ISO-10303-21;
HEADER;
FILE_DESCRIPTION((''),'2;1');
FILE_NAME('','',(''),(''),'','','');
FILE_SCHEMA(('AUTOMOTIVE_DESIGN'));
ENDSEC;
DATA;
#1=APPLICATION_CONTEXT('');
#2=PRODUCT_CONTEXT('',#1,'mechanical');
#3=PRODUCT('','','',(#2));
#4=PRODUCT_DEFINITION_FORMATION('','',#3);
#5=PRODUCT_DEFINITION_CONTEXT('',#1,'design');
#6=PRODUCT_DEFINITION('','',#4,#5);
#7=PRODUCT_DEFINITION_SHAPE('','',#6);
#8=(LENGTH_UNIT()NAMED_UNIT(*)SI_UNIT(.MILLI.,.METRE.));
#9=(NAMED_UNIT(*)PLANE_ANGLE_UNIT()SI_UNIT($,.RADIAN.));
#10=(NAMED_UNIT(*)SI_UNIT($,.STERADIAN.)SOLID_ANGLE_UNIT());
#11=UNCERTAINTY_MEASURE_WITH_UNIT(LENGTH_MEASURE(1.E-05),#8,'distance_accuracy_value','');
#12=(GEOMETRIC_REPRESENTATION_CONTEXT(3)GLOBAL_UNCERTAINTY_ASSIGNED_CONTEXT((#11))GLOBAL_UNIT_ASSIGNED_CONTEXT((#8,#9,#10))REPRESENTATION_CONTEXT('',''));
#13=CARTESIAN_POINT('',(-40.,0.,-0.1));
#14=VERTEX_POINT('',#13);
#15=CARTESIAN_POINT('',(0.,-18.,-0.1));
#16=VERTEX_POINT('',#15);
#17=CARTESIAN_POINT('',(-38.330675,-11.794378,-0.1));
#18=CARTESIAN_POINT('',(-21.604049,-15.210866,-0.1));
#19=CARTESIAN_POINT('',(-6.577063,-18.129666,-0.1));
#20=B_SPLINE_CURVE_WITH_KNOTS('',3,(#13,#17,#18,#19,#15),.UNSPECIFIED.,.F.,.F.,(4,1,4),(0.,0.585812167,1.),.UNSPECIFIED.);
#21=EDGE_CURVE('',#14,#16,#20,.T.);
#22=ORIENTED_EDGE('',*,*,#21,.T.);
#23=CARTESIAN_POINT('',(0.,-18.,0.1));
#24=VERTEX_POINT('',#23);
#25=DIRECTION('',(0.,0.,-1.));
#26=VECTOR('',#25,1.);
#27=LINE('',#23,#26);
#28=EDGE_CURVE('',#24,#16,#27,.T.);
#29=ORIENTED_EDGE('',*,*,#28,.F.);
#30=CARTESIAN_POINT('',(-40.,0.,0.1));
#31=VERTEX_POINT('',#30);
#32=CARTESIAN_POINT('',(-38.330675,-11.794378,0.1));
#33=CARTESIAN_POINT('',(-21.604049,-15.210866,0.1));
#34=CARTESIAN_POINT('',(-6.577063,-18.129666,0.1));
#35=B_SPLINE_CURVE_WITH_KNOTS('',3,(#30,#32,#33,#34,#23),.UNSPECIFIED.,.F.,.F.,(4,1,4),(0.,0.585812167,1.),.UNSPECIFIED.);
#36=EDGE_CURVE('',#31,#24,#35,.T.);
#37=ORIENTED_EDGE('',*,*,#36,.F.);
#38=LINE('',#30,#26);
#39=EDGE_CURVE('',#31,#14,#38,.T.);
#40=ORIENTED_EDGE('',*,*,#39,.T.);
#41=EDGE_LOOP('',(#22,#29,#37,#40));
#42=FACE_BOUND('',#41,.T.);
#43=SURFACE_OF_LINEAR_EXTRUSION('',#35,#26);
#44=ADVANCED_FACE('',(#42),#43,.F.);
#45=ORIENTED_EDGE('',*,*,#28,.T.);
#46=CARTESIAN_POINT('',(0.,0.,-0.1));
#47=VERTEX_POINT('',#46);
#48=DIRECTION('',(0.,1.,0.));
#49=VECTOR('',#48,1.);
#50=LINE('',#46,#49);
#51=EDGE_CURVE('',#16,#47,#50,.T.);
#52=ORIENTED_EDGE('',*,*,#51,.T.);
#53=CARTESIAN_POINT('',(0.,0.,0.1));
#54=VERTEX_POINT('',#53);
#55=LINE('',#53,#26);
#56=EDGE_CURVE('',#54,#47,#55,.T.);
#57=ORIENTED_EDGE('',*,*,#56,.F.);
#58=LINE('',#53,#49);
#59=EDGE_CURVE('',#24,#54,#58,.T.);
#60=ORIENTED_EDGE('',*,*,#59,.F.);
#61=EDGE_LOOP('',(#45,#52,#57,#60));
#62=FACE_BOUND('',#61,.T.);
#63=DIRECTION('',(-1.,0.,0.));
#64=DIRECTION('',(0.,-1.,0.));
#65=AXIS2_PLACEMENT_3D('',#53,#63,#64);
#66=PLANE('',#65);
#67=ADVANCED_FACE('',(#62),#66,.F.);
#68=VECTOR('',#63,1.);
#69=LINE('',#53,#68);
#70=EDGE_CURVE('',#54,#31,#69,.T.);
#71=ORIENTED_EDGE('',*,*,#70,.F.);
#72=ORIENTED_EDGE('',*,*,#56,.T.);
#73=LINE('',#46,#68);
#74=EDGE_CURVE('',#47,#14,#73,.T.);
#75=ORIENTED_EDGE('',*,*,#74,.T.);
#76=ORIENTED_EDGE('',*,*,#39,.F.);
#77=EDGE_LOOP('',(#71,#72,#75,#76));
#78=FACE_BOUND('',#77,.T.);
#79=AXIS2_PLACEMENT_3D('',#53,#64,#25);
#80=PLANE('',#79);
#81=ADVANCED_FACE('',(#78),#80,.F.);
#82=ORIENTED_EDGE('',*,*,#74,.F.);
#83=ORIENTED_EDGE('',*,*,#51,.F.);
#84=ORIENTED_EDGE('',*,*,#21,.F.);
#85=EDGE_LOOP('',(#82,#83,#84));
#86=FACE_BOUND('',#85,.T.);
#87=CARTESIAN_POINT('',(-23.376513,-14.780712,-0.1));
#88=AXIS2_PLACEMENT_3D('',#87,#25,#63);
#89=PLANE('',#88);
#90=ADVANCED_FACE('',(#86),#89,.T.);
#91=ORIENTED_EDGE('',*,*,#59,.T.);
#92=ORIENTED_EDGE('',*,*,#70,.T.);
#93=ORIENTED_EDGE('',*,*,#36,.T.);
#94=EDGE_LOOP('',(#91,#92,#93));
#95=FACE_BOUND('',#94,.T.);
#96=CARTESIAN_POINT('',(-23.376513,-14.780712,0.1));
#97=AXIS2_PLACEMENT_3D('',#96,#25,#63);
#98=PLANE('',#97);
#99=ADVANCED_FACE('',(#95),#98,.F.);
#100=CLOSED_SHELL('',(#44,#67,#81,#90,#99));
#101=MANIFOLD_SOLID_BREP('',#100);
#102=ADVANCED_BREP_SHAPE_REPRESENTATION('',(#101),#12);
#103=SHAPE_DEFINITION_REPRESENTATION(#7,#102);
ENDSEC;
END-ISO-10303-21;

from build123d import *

# Parameters (mm, degrees)
EXTRUDE_1_DEPTH = 0.1


with BuildPart() as part:
    # 草图1 → 凸台-拉伸1 (new body, symmetric)
    with BuildSketch(Plane.XY):
        with BuildLine():
            Line((0, 0), (0, -18))
            add(Edge.make_bspline(
                [(-40, 0), (-38.330674915, -11.794377965), (-21.604049495, -15.210865673), (-6.577063135, -18.129665714), (0, -18)],
                knots=[0, 0, 0, 0, 0.585812167, 1, 1, 1, 1], degree=3))
            Line((-40, 0), (0, 0))
        make_face()
    extrude(amount=EXTRUDE_1_DEPTH, both=True)


solid = part.part
